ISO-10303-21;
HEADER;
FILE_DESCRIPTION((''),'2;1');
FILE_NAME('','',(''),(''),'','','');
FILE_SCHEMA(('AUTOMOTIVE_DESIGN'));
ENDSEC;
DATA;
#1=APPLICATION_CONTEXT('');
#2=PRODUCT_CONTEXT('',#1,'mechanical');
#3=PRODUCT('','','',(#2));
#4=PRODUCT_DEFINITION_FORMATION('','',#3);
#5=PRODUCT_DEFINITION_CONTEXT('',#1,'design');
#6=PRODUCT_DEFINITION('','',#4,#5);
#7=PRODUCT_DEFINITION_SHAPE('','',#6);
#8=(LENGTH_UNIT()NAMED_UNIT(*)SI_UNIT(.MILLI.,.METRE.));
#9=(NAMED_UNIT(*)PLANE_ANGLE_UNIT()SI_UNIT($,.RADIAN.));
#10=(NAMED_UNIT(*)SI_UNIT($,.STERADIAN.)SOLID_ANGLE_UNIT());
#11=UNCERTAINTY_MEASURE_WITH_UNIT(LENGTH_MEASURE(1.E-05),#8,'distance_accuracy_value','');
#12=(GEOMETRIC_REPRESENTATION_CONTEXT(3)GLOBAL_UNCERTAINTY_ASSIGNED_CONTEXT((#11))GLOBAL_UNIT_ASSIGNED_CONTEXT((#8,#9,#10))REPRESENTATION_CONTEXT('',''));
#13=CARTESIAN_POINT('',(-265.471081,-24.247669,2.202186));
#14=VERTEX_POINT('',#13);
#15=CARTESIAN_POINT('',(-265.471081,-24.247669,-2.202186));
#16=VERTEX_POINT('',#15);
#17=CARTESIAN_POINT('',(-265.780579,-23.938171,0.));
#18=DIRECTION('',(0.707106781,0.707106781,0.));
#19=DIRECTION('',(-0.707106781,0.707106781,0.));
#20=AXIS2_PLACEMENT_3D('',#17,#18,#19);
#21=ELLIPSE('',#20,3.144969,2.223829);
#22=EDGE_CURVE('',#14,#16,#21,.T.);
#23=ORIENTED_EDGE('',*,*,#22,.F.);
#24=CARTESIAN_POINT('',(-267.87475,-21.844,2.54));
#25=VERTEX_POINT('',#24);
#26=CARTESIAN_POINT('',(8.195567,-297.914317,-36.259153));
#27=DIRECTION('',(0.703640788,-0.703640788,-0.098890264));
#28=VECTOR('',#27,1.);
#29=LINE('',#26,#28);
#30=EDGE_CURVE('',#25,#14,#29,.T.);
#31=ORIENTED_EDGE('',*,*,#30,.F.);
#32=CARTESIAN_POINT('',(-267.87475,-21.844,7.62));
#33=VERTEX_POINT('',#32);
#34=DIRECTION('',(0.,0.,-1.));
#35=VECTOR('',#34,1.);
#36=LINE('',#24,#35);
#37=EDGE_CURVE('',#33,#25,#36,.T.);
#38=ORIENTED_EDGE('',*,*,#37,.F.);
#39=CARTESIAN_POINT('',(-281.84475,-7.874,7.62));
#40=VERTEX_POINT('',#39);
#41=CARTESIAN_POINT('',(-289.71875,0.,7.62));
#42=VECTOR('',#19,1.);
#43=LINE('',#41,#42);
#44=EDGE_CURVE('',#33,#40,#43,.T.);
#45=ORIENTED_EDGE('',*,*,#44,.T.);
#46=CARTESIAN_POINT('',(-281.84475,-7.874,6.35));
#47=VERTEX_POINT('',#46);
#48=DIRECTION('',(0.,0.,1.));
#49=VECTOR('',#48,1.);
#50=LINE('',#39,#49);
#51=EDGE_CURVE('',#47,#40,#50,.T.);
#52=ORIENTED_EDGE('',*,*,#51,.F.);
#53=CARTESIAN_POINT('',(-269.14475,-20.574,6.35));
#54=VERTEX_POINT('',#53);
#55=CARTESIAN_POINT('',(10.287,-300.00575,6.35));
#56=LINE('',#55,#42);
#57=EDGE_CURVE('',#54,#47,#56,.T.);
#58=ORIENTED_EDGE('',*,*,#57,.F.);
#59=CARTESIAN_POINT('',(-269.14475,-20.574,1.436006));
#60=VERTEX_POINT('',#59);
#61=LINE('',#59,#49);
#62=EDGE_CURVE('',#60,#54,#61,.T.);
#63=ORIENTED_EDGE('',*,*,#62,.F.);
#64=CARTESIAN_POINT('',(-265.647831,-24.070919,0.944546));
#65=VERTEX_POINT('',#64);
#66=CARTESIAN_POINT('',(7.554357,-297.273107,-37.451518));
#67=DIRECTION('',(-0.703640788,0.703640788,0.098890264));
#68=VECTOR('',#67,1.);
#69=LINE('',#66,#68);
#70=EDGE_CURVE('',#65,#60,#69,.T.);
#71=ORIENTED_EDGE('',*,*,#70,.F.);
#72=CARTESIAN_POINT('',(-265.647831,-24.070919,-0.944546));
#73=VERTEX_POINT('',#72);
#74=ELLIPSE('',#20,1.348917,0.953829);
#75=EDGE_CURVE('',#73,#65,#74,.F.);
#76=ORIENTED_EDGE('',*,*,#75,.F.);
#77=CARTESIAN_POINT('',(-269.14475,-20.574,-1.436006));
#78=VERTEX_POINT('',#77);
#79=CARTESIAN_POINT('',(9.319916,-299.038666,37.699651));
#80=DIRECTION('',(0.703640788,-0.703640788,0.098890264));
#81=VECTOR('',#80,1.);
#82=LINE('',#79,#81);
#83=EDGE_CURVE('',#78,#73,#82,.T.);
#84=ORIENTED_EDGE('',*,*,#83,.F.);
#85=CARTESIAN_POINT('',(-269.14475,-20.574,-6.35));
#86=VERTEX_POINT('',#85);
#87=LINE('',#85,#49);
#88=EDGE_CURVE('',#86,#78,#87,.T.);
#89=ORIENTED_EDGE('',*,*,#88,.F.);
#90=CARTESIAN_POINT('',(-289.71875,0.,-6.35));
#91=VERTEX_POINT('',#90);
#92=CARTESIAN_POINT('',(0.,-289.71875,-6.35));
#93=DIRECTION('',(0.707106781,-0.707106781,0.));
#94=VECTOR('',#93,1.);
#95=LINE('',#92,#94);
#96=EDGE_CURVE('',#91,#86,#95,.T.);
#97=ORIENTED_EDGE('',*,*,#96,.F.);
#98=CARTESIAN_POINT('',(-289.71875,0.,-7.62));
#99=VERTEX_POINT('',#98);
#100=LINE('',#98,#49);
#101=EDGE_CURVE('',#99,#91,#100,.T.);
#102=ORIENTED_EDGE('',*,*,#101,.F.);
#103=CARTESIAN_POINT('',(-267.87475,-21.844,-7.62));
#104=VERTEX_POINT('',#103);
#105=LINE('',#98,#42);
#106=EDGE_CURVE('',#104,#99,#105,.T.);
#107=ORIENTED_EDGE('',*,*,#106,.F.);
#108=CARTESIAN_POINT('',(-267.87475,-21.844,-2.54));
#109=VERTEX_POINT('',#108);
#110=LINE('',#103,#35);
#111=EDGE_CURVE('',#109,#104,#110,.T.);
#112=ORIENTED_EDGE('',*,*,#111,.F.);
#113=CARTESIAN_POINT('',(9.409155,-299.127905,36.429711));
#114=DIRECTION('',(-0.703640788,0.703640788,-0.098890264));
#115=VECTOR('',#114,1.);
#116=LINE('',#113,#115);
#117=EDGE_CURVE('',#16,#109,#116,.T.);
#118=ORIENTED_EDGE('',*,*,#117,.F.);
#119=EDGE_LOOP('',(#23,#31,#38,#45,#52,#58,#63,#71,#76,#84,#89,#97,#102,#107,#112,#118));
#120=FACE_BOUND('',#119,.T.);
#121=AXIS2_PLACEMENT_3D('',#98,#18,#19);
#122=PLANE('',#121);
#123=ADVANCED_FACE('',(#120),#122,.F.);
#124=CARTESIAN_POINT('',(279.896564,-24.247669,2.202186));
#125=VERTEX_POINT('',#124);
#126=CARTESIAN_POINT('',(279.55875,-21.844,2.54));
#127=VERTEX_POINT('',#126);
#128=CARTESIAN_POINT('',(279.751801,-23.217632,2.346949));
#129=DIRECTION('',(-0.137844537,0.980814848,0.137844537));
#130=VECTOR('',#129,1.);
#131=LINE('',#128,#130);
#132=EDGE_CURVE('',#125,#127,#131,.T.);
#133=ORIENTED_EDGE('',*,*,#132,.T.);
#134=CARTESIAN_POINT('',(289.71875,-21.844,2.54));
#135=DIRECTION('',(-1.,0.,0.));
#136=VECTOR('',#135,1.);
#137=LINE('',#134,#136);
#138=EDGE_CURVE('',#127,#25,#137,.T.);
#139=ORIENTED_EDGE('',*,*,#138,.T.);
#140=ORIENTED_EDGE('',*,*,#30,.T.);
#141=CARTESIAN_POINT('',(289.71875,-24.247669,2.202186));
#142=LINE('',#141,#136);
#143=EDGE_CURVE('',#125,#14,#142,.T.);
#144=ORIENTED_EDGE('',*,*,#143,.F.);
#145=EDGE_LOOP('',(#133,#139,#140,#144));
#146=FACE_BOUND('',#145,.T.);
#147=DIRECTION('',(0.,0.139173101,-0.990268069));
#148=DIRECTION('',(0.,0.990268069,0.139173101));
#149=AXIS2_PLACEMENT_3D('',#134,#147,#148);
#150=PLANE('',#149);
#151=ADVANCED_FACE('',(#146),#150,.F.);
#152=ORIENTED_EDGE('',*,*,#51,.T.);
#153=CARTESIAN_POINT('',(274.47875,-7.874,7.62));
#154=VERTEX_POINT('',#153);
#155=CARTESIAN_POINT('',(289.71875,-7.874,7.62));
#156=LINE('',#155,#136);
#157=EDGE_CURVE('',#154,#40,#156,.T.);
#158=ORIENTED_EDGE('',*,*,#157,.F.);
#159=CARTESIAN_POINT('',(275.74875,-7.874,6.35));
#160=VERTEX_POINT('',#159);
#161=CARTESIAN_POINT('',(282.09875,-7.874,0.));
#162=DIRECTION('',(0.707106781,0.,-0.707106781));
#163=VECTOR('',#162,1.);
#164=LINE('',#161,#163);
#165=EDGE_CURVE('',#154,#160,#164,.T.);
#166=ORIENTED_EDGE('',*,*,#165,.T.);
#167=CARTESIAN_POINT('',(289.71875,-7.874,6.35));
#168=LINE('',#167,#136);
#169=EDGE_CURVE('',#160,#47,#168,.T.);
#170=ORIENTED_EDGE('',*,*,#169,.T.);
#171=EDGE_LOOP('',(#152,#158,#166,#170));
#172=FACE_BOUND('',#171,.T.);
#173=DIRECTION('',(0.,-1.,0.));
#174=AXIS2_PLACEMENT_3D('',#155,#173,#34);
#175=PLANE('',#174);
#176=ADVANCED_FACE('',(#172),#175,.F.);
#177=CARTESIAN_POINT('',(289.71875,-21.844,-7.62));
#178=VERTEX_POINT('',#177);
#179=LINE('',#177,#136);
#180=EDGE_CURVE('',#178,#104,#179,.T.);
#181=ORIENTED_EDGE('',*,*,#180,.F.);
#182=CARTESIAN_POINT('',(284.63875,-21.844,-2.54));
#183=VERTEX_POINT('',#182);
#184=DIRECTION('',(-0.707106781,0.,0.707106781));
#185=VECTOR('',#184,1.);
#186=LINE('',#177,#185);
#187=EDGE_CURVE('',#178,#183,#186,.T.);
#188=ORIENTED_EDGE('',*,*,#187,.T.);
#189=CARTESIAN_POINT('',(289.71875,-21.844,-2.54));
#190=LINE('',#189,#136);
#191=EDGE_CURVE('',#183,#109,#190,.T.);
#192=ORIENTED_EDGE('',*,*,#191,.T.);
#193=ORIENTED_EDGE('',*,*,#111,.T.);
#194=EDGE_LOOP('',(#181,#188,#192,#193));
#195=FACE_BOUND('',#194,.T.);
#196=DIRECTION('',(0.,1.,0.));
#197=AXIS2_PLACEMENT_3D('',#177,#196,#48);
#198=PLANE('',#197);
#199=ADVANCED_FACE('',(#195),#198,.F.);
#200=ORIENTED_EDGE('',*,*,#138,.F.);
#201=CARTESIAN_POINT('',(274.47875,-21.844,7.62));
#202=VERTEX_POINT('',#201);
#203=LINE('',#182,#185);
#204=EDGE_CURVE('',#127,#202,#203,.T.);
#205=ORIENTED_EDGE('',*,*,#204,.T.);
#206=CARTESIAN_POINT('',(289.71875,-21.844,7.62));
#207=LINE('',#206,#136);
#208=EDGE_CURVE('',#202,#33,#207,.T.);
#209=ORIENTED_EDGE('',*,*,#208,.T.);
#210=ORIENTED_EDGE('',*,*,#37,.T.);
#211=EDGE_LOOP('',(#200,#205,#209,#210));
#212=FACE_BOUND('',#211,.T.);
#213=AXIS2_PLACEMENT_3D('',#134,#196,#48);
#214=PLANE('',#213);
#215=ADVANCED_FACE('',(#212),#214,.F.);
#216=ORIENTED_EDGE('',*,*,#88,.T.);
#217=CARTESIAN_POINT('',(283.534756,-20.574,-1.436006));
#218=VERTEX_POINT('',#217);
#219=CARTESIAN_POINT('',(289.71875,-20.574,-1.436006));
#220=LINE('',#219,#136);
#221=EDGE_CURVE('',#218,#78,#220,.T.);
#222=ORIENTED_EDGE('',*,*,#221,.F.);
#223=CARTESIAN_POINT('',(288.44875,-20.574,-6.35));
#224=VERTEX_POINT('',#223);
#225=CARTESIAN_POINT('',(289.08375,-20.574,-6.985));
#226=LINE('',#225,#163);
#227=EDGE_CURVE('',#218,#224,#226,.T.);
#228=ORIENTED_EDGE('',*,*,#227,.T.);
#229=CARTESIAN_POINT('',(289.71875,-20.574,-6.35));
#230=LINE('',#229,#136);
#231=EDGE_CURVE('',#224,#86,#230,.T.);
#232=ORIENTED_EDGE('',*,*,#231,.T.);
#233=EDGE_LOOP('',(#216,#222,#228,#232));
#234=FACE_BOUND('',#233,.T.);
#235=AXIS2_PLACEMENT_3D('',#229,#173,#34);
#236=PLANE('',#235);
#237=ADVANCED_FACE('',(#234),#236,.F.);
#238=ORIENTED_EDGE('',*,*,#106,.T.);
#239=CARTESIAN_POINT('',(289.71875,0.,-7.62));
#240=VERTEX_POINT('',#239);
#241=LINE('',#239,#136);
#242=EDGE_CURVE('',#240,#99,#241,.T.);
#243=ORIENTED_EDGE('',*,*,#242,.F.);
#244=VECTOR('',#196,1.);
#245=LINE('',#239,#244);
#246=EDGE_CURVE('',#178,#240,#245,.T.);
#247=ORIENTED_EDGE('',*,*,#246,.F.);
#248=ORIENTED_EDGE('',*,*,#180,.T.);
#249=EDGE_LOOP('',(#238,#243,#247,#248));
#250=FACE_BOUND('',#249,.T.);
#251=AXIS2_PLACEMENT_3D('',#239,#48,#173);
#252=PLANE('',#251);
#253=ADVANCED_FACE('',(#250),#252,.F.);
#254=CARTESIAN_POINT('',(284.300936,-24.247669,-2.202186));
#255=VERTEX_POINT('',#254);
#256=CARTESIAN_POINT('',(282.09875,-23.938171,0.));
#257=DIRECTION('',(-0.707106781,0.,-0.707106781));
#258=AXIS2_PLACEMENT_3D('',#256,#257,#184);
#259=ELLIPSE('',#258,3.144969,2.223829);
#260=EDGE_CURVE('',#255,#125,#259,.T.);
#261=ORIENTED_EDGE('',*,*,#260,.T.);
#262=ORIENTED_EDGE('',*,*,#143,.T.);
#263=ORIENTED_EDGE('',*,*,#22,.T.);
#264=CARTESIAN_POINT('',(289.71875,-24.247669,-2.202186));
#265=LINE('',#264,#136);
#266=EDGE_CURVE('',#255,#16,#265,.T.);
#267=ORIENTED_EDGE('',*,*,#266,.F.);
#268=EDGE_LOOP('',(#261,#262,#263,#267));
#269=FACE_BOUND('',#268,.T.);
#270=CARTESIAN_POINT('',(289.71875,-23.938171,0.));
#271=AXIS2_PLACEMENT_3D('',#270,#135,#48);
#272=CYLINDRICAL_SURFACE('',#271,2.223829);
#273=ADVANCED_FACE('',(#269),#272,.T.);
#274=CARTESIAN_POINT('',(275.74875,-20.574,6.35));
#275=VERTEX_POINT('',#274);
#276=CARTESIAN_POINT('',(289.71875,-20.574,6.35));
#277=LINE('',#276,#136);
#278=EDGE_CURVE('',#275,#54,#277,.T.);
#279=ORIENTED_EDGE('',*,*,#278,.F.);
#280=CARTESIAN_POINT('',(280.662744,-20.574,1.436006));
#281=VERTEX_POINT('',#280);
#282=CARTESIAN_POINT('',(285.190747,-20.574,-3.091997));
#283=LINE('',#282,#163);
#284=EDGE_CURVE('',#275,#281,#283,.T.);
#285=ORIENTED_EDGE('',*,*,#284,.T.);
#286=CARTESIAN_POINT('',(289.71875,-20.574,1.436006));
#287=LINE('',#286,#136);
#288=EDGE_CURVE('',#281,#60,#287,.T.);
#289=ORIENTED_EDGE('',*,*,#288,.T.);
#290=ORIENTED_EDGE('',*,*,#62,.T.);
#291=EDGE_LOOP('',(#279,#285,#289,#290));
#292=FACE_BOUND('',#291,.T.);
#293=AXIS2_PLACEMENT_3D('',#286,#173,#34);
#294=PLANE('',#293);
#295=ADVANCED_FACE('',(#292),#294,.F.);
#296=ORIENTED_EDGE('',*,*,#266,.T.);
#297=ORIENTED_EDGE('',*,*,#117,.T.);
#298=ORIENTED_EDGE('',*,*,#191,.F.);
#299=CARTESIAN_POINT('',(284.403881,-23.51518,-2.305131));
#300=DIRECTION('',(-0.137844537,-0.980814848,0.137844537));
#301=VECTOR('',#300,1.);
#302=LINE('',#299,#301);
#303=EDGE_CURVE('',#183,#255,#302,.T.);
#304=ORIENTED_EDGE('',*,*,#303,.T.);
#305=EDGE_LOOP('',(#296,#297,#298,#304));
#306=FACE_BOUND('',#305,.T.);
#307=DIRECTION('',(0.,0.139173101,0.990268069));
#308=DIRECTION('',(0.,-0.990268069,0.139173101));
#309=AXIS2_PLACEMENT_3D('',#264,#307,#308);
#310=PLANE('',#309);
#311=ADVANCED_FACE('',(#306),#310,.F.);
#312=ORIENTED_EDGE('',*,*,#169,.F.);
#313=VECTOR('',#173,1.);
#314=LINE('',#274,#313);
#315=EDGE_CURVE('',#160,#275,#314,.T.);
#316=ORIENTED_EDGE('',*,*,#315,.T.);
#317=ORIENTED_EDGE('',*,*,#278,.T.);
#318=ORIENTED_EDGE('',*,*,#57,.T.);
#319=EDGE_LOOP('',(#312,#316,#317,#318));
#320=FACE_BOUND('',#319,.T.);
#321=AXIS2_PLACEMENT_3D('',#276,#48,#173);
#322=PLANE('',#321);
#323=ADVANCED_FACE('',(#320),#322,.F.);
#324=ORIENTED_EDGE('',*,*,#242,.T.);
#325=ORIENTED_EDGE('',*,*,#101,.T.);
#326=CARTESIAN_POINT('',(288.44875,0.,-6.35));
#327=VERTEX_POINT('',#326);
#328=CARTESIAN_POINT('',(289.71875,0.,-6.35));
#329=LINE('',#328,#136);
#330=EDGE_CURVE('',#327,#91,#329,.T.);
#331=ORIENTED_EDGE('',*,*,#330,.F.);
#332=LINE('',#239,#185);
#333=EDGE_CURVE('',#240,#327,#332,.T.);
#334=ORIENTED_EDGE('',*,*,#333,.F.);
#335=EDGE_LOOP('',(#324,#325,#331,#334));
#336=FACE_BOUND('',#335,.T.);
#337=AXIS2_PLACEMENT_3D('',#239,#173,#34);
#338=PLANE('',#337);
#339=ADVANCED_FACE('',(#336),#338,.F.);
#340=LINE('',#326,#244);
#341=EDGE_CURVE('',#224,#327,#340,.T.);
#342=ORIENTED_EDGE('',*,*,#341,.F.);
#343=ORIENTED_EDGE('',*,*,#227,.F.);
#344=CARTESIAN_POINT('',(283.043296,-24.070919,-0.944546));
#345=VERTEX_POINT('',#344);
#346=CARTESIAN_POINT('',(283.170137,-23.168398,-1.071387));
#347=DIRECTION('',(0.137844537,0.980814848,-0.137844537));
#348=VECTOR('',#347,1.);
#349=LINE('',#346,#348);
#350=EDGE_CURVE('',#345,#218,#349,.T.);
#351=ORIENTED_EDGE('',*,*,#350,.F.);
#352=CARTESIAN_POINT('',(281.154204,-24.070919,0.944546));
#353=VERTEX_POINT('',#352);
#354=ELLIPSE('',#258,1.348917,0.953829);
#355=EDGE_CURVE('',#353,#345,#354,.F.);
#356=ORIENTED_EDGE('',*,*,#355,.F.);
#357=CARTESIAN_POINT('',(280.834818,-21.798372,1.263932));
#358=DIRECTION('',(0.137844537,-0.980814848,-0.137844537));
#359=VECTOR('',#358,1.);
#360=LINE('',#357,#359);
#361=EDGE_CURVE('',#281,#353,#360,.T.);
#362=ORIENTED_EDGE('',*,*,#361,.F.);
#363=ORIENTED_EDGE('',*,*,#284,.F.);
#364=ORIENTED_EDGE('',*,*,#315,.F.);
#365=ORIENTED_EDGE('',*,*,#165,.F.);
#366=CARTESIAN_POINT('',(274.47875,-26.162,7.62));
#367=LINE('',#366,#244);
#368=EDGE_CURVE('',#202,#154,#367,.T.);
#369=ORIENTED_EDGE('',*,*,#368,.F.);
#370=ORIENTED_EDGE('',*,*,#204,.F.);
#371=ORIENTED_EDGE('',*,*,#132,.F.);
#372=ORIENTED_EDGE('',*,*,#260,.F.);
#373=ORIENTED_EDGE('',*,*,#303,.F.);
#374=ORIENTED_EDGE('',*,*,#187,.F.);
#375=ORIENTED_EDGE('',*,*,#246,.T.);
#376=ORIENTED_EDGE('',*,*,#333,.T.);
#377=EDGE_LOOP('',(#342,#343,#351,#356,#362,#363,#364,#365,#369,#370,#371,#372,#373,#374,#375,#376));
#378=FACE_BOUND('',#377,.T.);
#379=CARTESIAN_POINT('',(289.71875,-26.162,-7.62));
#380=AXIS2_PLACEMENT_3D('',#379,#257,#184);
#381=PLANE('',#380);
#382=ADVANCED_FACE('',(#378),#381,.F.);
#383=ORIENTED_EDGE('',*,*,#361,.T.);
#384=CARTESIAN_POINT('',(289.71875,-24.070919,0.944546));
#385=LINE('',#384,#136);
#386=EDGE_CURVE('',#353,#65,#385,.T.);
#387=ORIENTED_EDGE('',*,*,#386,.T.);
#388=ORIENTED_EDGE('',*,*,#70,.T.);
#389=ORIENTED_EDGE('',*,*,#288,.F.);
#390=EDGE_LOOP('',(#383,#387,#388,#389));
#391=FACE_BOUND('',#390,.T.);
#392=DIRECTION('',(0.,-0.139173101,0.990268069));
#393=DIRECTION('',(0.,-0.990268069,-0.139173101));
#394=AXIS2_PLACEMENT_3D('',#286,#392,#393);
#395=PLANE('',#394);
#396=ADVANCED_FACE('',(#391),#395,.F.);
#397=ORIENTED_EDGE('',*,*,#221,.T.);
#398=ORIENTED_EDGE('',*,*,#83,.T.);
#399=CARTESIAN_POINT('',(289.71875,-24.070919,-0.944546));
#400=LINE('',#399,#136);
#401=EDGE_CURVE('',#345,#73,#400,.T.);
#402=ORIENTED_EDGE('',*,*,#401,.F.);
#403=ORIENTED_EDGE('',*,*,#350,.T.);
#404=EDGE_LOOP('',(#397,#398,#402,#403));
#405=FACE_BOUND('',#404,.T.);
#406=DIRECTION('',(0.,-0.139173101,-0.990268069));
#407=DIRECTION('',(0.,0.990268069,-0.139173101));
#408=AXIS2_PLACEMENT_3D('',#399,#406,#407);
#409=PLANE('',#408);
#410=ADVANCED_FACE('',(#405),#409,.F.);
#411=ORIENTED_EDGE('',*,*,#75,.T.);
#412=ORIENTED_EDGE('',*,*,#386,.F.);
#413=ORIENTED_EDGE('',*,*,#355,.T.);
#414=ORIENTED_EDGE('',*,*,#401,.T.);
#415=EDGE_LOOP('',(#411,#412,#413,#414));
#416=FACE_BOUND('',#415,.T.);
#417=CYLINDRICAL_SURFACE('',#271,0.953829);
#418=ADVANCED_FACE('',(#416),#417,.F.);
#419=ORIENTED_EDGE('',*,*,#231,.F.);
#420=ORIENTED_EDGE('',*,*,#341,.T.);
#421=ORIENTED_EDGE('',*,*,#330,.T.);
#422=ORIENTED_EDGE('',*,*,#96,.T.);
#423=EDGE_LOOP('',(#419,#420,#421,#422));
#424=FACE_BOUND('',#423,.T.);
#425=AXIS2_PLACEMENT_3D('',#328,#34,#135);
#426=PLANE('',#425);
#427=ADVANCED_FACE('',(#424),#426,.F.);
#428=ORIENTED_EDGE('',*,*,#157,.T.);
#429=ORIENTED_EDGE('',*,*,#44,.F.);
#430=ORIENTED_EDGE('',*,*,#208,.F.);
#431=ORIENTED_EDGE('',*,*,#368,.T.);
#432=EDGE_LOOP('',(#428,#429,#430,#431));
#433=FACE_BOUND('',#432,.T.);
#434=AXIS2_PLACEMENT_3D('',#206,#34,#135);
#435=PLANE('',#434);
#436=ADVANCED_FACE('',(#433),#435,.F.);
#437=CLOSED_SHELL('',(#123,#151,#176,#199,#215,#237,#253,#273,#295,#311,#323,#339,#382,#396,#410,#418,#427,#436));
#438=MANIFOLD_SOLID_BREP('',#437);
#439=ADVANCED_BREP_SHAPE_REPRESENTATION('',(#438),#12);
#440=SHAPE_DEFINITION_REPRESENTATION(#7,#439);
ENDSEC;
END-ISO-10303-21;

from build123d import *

# Parameters (mm, degrees)
BOSS_EXTRUDE1_DEPTH         = 289.71875
CUT_TOP_RIGHT_FRONT_DEPTH   = 27.162
CUT_FRONT_LEFT_BOTTOM_DEPTH = 16.24


with BuildPart() as part:
    # Sketch1 → Boss-Extrude1 (new body, symmetric)
    with BuildSketch(Plane(origin=(0, 0, 0), x_dir=(0, 0, -1), z_dir=(1, 0, 0))):
        with BuildLine():
            Line((7.62, 0), (7.62, -21.844))
            Line((7.62, -21.844), (2.54, -21.844))
            Line((2.54, -21.844), (2.202186415, -24.247668555))
            ThreePointArc((2.202186415, -24.247668555), (0, -26.162), (-2.202186415, -24.247668555))
            Line((-2.202186415, -24.247668555), (-2.54, -21.844))
            Line((-2.54, -21.844), (-7.62, -21.844))
            Line((-7.62, -21.844), (-7.62, -7.874))
            Line((-7.62, -7.874), (-6.35, -7.874))
            Line((-6.35, -7.874), (-6.35, -20.574))
            Line((-6.35, -20.574), (-1.436005843, -20.574))
            Line((-1.436005843, -20.574), (-0.944545968, -24.070918717))
            ThreePointArc((-0.944545968, -24.070918717), (0, -24.892), (0.944545968, -24.070918717))
            Line((0.944545968, -24.070918717), (1.436005843, -20.574))
            Line((1.436005843, -20.574), (6.35, -20.574))
            Line((6.35, -20.574), (6.35, 0))
            Line((6.35, 0), (7.62, 0))
        make_face()
    extrude(amount=BOSS_EXTRUDE1_DEPTH, both=True)

    # Sketch2 → Cut-Top-Right-Front (cut, through all)
    with BuildSketch(Plane(origin=(0, 0, 0), x_dir=(1, 0, 0), z_dir=(0, 1, 0))):
        Polygon((289.71875, 7.62), (274.47875, -7.62), (289.71875, -7.62), align=None)
    extrude(amount=-CUT_TOP_RIGHT_FRONT_DEPTH, mode=Mode.SUBTRACT)

    # Sketch12 → Cut-Front-Left-Bottom (cut, through all)
    with BuildSketch(Plane.XY.offset(7.62)):
        Polygon((-289.71875, 0), (-263.55675, -26.162), (-289.71875, -26.162), align=None)
    extrude(amount=-CUT_FRONT_LEFT_BOTTOM_DEPTH, mode=Mode.SUBTRACT)


solid = part.part
